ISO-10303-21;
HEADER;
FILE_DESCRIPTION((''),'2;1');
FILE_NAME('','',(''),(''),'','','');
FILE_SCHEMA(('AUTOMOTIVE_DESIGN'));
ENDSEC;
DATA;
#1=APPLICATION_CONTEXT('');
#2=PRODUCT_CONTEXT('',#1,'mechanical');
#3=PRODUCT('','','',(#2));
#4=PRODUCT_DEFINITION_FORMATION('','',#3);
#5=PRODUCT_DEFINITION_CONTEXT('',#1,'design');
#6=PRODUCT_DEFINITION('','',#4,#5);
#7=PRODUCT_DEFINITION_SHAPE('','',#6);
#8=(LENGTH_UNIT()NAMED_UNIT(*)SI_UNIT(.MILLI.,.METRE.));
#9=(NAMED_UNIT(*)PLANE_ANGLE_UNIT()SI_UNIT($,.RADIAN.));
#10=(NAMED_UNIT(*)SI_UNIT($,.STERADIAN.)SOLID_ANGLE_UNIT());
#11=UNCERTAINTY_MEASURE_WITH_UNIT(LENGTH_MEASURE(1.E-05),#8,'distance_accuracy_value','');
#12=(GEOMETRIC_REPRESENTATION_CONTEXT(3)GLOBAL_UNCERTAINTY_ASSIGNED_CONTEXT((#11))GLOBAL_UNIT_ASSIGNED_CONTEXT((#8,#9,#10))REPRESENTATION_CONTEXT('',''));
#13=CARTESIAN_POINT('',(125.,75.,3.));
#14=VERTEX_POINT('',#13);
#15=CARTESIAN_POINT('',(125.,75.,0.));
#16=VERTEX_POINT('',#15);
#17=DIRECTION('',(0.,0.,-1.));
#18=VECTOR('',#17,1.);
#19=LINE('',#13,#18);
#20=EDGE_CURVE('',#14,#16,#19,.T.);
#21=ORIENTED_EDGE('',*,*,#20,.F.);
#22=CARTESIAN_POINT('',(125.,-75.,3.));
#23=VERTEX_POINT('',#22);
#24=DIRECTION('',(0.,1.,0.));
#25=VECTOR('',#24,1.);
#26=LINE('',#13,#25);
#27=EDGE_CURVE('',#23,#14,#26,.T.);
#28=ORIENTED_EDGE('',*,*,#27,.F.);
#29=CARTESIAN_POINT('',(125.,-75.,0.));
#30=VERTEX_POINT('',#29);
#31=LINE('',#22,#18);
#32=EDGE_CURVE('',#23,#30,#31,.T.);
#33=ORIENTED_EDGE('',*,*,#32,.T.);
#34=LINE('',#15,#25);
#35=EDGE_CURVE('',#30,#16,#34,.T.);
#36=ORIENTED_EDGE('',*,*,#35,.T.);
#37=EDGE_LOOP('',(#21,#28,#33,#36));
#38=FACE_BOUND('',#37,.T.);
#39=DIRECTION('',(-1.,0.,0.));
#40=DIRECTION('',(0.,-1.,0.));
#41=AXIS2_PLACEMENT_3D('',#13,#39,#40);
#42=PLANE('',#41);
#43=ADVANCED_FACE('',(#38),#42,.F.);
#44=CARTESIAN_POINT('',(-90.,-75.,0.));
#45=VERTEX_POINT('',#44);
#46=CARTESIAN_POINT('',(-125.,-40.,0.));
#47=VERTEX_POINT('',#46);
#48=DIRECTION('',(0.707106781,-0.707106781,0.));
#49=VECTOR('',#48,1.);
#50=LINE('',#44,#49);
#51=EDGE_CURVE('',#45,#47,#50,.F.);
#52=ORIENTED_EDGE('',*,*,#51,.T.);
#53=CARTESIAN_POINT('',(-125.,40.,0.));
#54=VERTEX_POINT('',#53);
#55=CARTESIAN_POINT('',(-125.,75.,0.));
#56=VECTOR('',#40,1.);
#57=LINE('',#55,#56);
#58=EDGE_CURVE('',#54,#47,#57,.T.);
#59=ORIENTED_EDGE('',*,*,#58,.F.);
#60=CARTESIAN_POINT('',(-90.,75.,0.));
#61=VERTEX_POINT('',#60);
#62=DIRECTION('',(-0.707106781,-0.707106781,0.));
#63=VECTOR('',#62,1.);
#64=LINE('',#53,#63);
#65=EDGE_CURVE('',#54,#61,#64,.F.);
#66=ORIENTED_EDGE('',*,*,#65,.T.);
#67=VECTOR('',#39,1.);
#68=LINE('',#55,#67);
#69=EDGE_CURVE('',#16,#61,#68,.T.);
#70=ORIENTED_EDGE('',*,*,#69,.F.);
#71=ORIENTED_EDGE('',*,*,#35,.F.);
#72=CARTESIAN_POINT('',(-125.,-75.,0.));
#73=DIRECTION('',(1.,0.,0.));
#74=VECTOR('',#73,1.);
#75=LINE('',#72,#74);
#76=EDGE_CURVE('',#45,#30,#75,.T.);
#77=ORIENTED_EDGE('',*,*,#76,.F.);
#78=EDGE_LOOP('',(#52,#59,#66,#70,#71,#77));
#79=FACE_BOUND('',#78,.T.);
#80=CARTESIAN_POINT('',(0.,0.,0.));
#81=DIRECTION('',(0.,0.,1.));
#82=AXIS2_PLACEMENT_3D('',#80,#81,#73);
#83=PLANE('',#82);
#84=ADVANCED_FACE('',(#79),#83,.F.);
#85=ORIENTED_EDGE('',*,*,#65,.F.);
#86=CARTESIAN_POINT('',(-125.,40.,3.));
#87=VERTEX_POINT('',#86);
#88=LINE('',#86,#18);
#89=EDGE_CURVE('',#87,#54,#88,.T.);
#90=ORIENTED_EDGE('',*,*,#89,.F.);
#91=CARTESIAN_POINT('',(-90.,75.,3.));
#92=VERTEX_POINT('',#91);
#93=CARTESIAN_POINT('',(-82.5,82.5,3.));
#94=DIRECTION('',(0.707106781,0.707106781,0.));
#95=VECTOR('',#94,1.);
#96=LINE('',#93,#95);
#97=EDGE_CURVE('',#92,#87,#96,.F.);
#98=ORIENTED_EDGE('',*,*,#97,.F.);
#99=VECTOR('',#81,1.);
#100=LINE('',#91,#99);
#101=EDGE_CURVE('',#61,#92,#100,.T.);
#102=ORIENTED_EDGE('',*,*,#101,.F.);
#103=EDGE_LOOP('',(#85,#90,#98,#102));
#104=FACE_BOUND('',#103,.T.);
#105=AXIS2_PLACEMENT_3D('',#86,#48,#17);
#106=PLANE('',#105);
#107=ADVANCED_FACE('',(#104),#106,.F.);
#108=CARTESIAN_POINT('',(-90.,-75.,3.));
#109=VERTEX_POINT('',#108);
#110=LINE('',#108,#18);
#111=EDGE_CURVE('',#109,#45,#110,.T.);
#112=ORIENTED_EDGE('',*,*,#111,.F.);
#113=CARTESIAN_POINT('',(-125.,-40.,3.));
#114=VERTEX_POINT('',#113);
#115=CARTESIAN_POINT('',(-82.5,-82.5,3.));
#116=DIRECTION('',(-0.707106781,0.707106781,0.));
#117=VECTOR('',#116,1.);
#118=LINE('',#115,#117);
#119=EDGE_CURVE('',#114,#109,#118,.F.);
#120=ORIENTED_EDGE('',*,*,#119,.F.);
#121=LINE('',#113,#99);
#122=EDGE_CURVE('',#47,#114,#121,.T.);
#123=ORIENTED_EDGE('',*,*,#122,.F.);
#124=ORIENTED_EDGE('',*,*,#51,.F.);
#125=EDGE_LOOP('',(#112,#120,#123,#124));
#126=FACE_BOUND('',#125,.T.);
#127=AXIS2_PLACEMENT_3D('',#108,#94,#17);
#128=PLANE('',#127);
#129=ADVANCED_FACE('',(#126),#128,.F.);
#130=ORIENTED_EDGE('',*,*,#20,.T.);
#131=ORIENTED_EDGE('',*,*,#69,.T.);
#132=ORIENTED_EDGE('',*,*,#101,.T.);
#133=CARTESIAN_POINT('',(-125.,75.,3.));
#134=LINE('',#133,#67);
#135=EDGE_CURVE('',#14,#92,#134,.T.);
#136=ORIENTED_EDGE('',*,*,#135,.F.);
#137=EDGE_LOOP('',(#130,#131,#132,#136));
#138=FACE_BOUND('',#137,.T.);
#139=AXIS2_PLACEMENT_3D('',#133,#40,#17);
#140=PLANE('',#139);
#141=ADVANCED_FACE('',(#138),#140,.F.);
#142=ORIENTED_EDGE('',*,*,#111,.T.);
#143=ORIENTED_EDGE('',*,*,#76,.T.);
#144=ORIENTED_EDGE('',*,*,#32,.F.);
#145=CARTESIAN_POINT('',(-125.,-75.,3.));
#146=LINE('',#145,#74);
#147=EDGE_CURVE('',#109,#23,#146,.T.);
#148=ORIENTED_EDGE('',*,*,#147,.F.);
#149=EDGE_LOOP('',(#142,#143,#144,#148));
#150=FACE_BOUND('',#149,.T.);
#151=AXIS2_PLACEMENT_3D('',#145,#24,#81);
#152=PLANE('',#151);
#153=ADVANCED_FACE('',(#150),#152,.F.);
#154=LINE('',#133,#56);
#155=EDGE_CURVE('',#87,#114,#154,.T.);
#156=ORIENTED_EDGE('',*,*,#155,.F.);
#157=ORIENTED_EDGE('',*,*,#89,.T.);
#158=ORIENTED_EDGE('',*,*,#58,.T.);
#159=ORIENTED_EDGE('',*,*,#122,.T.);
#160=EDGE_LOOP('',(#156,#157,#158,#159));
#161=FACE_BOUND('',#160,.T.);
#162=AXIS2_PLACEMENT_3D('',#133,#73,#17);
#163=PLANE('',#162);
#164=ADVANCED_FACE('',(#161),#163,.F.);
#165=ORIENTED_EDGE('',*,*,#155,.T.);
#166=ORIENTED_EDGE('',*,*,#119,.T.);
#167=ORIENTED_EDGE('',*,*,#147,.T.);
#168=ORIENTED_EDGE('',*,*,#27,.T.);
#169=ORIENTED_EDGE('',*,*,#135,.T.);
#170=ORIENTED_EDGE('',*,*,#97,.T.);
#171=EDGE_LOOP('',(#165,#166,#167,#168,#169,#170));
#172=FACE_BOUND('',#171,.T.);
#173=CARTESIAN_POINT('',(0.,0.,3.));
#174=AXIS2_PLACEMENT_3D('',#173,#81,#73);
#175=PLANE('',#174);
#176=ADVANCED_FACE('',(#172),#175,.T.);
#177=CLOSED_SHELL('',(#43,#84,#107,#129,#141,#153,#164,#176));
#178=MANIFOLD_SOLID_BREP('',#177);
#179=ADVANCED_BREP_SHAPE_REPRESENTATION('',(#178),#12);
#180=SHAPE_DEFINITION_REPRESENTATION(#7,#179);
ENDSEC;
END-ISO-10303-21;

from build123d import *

# Parameters (mm, degrees)
SKETCH1_W           = 250
SKETCH1_H           = 150
BOSS_EXTRUDE1_DEPTH = 3
CHAMFER3_SIZE       = 35


with BuildPart() as part:
    # Sketch1 → Boss-Extrude1 (new body)
    with BuildSketch(Plane.XY):
        Rectangle(SKETCH1_W, SKETCH1_H)
    extrude(amount=BOSS_EXTRUDE1_DEPTH)

    # Chamfer3
    chamfer3_edges = [part.edges().sort_by_distance(p)[0] for p in [
        (-125, -75, 1.5),
        (-125, 75, 1.5),
    ]]
    chamfer(chamfer3_edges, length=CHAMFER3_SIZE)


solid = part.part
